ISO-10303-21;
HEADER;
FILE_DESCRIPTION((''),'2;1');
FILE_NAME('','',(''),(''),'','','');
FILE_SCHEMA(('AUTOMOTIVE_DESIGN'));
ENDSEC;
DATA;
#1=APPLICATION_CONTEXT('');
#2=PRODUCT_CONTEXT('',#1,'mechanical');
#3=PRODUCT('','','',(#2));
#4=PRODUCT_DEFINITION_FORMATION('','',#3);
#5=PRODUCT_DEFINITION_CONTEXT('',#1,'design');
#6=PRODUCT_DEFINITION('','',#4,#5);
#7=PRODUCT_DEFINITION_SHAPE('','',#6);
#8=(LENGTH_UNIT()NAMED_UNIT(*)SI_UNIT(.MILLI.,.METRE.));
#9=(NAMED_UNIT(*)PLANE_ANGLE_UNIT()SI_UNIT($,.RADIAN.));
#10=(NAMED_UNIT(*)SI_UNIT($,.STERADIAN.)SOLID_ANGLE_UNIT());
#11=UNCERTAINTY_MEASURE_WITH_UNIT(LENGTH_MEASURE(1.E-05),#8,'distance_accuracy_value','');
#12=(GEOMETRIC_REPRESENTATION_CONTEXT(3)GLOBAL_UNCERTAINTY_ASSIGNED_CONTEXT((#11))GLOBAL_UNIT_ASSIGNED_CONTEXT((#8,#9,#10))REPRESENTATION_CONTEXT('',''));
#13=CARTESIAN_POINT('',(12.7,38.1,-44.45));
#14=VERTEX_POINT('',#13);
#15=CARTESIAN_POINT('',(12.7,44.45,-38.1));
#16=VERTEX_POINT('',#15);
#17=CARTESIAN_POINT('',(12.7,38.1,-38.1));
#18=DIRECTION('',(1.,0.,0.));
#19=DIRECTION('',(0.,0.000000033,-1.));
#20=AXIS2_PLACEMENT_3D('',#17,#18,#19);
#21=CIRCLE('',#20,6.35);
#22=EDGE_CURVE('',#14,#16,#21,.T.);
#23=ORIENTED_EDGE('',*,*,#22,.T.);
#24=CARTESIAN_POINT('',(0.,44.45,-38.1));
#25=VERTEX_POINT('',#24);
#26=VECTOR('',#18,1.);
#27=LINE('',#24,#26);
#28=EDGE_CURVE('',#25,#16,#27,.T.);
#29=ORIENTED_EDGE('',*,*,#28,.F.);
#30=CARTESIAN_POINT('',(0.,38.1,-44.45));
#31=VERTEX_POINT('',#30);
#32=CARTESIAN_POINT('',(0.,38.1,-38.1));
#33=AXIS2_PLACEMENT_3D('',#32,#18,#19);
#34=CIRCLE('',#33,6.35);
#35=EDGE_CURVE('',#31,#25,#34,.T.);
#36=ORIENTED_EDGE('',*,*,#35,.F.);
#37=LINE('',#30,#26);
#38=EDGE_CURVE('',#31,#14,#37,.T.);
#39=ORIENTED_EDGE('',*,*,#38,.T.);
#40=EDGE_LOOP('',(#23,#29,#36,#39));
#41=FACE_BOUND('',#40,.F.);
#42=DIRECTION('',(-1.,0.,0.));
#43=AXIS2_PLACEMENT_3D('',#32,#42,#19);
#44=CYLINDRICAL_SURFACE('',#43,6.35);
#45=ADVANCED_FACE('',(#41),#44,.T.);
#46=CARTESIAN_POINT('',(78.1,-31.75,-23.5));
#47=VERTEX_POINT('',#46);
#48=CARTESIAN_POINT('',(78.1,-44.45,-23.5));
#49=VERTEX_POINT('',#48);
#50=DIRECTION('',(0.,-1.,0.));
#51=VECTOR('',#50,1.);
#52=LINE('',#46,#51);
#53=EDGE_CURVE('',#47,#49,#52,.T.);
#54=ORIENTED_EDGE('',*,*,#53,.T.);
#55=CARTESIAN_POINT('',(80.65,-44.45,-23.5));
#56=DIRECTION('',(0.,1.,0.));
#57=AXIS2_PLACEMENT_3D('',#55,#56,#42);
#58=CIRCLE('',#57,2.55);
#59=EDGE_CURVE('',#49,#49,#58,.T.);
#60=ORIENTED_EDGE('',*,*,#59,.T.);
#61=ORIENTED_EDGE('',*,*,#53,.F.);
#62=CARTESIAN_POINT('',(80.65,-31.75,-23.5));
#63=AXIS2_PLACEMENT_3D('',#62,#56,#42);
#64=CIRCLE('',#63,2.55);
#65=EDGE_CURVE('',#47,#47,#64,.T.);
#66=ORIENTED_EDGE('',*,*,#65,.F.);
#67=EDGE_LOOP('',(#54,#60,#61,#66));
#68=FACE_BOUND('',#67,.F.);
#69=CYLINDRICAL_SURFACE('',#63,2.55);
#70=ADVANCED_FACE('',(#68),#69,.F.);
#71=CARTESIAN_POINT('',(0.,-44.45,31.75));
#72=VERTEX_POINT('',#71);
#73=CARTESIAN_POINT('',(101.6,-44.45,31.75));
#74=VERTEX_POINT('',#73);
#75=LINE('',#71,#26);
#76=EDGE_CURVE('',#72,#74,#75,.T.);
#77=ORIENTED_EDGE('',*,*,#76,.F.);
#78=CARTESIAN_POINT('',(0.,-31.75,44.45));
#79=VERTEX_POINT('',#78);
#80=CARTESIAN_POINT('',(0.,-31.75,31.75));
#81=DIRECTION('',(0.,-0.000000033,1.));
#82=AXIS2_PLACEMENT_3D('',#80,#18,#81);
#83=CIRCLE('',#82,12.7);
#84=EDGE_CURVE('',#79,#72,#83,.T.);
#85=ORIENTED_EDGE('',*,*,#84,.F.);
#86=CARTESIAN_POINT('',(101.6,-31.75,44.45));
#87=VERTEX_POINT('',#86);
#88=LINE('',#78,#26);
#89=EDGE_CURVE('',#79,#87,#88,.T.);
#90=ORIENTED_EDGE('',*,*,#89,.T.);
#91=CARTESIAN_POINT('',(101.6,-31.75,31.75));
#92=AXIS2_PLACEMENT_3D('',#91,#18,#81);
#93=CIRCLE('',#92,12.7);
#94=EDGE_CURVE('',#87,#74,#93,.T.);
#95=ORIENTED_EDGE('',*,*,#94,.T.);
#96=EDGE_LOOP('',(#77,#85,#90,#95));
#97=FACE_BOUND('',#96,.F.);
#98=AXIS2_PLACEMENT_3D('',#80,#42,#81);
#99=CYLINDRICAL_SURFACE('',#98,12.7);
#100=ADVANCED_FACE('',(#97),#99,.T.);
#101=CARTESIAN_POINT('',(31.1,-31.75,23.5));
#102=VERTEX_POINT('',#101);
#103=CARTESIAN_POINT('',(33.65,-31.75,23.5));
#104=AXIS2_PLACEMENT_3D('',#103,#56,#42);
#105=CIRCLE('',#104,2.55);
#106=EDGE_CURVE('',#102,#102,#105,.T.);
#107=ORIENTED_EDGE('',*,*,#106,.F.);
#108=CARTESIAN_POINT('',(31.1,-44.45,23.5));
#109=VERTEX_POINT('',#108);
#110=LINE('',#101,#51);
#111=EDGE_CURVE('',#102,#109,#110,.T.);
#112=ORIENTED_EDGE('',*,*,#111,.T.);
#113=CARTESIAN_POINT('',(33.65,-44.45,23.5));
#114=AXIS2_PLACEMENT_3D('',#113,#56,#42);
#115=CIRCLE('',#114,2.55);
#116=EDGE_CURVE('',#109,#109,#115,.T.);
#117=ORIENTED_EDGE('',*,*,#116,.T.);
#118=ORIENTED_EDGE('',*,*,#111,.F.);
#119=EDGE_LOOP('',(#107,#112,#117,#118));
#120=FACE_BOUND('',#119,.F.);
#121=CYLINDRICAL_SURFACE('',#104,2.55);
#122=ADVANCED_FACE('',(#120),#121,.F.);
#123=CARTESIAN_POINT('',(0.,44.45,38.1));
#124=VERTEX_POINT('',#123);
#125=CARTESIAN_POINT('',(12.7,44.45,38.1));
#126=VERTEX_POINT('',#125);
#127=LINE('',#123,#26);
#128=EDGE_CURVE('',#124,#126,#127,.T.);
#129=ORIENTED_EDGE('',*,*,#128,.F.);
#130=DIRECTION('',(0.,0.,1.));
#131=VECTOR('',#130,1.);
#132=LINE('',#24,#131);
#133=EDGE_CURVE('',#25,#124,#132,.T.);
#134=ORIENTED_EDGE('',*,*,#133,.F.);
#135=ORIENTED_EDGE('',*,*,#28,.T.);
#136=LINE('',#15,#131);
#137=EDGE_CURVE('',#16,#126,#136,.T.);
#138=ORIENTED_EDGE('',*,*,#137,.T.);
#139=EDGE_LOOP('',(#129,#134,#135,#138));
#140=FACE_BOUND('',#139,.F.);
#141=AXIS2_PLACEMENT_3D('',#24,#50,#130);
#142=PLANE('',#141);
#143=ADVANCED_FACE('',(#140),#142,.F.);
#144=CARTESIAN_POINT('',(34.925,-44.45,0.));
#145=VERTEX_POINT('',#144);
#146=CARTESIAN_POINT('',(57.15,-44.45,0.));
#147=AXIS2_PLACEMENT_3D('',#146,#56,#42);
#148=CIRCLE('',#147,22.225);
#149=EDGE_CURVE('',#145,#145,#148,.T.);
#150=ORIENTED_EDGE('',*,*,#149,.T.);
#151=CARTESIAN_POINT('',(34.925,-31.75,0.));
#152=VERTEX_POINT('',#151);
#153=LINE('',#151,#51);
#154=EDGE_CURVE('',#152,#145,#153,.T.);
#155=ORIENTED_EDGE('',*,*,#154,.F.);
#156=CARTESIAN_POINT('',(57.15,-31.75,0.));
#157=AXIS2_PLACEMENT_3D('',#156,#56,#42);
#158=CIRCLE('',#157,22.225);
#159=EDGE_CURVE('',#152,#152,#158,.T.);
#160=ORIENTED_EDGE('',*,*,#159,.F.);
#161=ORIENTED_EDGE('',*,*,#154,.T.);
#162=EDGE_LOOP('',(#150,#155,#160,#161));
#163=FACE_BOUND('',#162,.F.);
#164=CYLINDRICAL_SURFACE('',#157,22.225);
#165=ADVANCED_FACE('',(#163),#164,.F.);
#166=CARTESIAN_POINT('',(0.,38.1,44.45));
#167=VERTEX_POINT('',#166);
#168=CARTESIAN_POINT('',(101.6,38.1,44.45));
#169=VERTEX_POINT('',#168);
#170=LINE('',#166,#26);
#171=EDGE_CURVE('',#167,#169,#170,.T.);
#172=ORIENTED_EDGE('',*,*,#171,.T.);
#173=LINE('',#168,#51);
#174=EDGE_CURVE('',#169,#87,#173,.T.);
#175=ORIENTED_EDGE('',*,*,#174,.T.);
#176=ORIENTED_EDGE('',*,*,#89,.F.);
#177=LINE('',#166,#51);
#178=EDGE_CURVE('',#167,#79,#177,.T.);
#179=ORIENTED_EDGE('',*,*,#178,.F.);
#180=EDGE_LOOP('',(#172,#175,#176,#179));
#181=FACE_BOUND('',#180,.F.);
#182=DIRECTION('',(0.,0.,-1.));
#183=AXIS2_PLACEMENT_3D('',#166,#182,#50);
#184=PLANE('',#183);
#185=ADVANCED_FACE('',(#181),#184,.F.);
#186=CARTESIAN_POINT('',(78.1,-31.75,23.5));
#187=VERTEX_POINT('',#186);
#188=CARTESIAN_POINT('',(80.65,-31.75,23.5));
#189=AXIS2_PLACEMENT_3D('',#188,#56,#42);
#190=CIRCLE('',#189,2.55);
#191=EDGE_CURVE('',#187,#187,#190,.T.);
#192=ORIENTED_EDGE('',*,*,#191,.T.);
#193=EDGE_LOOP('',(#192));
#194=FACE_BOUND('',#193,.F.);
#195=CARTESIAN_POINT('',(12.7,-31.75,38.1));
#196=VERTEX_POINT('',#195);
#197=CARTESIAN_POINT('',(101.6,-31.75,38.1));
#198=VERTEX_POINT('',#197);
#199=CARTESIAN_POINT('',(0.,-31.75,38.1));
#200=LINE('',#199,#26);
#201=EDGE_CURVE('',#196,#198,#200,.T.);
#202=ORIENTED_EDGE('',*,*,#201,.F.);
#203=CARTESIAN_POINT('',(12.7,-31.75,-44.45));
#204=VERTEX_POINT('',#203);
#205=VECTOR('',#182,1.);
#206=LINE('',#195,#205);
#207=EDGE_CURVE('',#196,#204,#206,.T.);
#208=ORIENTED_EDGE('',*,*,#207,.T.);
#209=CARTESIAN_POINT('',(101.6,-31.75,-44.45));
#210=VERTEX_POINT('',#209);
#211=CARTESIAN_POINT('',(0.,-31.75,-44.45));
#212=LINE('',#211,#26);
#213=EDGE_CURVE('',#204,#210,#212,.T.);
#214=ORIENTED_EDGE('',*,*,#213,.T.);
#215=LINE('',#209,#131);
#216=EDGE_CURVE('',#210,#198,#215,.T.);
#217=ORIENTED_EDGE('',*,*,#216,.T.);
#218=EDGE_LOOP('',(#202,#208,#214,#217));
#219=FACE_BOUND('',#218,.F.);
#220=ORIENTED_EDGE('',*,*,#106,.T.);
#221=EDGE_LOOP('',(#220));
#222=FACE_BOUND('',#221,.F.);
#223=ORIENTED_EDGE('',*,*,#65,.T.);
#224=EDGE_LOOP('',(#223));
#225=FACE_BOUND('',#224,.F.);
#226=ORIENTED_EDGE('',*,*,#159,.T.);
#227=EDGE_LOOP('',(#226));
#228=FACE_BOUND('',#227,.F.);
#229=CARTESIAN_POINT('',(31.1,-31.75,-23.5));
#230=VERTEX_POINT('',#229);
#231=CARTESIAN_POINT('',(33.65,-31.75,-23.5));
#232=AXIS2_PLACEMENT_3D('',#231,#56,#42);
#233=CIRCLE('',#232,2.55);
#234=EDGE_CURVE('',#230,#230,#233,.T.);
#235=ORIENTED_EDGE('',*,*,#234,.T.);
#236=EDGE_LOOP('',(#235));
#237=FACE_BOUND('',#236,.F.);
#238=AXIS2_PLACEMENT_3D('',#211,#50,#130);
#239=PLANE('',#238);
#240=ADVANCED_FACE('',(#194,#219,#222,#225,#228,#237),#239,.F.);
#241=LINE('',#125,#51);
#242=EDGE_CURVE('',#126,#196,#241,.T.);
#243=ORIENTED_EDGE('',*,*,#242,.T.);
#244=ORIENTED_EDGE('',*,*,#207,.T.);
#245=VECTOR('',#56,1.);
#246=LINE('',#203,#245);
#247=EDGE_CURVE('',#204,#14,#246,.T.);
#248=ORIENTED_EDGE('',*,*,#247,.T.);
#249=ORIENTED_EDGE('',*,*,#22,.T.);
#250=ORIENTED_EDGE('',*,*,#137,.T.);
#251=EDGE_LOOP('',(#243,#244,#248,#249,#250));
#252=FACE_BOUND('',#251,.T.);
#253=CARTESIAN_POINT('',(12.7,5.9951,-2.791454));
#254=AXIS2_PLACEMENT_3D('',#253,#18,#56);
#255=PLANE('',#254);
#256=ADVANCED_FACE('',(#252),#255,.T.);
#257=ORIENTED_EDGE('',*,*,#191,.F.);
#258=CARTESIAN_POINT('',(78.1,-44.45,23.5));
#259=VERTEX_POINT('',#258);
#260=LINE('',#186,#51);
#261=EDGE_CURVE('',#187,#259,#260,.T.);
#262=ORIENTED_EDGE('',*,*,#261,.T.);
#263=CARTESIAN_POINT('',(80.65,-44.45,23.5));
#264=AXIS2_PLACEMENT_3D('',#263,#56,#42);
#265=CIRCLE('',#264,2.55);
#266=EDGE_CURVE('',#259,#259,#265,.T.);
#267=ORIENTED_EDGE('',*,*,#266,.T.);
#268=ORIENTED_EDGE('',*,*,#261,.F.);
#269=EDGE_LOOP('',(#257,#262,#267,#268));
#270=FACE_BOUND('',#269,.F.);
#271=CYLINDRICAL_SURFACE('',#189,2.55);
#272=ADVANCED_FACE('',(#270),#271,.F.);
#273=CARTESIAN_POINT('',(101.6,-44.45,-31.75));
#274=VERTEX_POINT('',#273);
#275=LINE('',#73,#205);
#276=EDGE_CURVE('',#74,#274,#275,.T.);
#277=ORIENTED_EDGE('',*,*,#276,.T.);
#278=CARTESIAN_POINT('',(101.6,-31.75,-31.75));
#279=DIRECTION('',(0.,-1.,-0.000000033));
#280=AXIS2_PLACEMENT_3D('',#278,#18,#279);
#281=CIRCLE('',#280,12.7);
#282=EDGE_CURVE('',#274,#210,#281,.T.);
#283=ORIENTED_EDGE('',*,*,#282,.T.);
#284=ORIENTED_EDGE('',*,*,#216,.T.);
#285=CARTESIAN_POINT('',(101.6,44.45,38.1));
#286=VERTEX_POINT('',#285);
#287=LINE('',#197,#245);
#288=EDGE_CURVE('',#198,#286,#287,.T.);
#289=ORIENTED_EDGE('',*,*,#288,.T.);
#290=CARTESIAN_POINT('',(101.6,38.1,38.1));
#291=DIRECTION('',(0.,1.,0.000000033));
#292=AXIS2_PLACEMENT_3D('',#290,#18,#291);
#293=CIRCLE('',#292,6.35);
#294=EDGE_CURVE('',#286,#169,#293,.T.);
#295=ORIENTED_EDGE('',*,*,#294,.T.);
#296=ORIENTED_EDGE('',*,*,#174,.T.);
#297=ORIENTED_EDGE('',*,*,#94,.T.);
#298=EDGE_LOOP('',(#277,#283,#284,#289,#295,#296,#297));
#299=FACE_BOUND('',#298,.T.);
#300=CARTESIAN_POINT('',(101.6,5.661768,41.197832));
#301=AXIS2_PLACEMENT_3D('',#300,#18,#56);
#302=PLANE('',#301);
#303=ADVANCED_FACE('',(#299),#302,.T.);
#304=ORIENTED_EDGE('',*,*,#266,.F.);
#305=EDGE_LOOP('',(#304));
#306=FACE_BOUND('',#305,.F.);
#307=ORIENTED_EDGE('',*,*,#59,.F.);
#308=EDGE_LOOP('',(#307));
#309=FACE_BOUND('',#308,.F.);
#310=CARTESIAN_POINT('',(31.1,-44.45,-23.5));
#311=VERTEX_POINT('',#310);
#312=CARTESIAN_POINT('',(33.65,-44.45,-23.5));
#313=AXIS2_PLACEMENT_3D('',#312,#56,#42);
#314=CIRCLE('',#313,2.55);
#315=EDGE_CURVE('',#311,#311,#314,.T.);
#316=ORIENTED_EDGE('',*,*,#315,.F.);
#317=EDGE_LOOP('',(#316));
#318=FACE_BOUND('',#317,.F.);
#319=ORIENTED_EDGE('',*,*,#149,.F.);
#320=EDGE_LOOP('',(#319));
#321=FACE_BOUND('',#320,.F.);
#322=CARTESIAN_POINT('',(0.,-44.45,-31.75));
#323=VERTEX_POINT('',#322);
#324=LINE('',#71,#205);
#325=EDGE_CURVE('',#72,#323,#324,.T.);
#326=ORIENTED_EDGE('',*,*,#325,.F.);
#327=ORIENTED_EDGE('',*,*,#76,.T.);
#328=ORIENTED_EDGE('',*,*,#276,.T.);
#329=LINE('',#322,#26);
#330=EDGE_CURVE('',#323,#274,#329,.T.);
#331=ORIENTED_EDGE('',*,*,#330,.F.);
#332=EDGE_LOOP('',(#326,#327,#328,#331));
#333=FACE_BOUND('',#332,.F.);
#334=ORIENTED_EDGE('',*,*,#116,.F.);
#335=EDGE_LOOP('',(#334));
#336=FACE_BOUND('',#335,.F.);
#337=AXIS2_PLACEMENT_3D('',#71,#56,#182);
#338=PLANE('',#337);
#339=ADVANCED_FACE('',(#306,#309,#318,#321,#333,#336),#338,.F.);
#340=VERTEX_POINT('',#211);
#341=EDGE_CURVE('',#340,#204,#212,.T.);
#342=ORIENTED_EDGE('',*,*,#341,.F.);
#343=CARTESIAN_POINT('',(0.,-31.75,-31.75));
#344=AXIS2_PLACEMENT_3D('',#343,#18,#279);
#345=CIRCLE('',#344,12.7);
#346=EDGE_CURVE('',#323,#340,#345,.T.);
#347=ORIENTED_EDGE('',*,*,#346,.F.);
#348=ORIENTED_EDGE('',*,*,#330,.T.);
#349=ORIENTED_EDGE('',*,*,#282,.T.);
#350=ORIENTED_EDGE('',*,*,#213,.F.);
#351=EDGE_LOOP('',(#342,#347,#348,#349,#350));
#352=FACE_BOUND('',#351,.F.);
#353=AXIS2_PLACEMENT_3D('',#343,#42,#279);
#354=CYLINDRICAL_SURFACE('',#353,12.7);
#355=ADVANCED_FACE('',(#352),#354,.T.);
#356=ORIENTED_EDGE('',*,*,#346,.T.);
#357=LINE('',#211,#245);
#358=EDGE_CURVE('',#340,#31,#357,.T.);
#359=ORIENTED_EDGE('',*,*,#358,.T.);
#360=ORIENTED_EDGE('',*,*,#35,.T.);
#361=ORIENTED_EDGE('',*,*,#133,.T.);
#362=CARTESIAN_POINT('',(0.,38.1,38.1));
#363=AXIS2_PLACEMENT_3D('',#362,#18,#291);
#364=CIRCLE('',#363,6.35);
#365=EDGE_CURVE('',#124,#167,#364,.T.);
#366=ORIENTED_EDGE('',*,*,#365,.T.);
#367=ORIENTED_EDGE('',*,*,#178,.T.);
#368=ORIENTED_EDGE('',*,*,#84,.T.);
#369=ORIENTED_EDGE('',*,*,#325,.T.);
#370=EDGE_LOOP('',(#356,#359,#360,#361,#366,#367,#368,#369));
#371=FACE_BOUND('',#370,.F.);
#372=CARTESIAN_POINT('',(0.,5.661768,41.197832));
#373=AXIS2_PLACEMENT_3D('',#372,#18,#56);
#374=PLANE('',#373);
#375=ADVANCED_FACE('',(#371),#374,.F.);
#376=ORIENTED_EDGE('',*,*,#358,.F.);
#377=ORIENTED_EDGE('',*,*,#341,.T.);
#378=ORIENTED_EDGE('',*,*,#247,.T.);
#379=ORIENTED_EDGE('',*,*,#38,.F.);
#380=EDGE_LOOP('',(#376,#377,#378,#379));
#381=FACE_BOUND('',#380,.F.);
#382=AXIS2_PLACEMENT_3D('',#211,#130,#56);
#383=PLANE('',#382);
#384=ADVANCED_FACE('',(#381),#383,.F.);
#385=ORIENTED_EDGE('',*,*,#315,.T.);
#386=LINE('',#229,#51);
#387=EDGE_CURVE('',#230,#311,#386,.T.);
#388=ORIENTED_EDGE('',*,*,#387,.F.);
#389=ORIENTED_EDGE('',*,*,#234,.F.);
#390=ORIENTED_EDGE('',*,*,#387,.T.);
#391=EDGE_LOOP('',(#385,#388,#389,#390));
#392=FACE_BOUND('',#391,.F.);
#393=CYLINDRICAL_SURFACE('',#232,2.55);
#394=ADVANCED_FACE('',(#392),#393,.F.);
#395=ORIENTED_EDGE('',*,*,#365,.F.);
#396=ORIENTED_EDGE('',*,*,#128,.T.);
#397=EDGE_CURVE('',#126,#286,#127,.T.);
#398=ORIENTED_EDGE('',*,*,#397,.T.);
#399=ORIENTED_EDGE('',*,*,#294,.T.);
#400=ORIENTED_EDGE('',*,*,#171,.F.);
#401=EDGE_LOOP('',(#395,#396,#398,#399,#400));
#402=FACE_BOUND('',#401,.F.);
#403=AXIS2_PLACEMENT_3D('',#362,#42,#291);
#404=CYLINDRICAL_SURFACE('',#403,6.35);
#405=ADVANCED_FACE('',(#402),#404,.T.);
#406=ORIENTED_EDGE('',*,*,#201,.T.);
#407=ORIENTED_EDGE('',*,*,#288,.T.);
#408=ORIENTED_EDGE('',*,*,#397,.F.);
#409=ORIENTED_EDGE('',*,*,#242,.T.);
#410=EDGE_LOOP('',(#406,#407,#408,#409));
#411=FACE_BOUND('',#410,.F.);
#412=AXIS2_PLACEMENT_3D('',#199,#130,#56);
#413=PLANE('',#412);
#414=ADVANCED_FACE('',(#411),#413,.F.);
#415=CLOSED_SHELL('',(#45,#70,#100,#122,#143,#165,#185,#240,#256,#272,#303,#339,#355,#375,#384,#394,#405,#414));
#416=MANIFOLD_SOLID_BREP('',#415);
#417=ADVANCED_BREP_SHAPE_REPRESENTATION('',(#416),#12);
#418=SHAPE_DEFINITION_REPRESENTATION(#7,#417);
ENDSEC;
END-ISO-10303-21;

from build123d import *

# Parameters (mm, degrees)
F1_DEPTH = 101.6
F2_DEPTH = 12.7
F3_R     = 22.225
F3_R_2   = 2.55
F4_DEPTH = 12.701
F5_DEPTH = 101.6


with BuildPart() as f1:
    # F0 (on Right) → F1 (new body)
    with BuildSketch(Plane.YZ):
        with BuildLine():
            ThreePointArc((-44.45, -31.75), (-40.730256, -40.730256), (-31.75, -44.45))
            Line((-31.75, -44.45), (-31.75, 38.1))
            Line((-31.75, 38.1), (-31.75, 44.45))
            ThreePointArc((-31.75, 44.45), (-40.730256, 40.730256), (-44.45, 31.75))
            Line((-44.45, 31.75), (-44.45, -31.75))
        make_face()
    extrude(amount=F1_DEPTH)

    # F0 (on Right) → F2 (join)
    with BuildSketch(Plane.YZ):
        with BuildLine():
            Line((-31.75, -44.45), (38.1, -44.45))
            ThreePointArc((38.1, -44.45), (42.590128, -42.590128), (44.45, -38.1))
            Line((44.45, -38.1), (44.45, 38.1))
            Line((44.45, 38.1), (-31.75, 38.1))
            Line((-31.75, 38.1), (-31.75, -44.45))
        make_face()
    extrude(amount=F2_DEPTH)

    # F3 (on face) → F4 (cut, through all)
    with BuildSketch(Plane(origin=(0, -31.75, 0), x_dir=(-1, 0, 0), z_dir=(0, 1, 0))):
        with Locations((-57.15, 0)):
            Circle(F3_R)
        with Locations((-33.65, -23.5)):
            Circle(F3_R_2)
        with Locations((-80.65, -23.5)):
            Circle(F3_R_2)
        with Locations((-80.65, 23.5)):
            Circle(F3_R_2)
        with Locations((-33.65, 23.5)):
            Circle(F3_R_2)
    extrude(amount=-F4_DEPTH, mode=Mode.SUBTRACT)

    # F0 (on Right) → F5 (join)
    with BuildSketch(Plane.YZ):
        with BuildLine():
            Line((-31.75, 44.45), (-31.75, 38.1))
            Line((-31.75, 38.1), (44.45, 38.1))
            ThreePointArc((44.45, 38.1), (42.590128, 42.590128), (38.1, 44.45))
            Line((38.1, 44.45), (-31.75, 44.45))
        make_face()
    extrude(amount=F5_DEPTH)


solid = f1.part
